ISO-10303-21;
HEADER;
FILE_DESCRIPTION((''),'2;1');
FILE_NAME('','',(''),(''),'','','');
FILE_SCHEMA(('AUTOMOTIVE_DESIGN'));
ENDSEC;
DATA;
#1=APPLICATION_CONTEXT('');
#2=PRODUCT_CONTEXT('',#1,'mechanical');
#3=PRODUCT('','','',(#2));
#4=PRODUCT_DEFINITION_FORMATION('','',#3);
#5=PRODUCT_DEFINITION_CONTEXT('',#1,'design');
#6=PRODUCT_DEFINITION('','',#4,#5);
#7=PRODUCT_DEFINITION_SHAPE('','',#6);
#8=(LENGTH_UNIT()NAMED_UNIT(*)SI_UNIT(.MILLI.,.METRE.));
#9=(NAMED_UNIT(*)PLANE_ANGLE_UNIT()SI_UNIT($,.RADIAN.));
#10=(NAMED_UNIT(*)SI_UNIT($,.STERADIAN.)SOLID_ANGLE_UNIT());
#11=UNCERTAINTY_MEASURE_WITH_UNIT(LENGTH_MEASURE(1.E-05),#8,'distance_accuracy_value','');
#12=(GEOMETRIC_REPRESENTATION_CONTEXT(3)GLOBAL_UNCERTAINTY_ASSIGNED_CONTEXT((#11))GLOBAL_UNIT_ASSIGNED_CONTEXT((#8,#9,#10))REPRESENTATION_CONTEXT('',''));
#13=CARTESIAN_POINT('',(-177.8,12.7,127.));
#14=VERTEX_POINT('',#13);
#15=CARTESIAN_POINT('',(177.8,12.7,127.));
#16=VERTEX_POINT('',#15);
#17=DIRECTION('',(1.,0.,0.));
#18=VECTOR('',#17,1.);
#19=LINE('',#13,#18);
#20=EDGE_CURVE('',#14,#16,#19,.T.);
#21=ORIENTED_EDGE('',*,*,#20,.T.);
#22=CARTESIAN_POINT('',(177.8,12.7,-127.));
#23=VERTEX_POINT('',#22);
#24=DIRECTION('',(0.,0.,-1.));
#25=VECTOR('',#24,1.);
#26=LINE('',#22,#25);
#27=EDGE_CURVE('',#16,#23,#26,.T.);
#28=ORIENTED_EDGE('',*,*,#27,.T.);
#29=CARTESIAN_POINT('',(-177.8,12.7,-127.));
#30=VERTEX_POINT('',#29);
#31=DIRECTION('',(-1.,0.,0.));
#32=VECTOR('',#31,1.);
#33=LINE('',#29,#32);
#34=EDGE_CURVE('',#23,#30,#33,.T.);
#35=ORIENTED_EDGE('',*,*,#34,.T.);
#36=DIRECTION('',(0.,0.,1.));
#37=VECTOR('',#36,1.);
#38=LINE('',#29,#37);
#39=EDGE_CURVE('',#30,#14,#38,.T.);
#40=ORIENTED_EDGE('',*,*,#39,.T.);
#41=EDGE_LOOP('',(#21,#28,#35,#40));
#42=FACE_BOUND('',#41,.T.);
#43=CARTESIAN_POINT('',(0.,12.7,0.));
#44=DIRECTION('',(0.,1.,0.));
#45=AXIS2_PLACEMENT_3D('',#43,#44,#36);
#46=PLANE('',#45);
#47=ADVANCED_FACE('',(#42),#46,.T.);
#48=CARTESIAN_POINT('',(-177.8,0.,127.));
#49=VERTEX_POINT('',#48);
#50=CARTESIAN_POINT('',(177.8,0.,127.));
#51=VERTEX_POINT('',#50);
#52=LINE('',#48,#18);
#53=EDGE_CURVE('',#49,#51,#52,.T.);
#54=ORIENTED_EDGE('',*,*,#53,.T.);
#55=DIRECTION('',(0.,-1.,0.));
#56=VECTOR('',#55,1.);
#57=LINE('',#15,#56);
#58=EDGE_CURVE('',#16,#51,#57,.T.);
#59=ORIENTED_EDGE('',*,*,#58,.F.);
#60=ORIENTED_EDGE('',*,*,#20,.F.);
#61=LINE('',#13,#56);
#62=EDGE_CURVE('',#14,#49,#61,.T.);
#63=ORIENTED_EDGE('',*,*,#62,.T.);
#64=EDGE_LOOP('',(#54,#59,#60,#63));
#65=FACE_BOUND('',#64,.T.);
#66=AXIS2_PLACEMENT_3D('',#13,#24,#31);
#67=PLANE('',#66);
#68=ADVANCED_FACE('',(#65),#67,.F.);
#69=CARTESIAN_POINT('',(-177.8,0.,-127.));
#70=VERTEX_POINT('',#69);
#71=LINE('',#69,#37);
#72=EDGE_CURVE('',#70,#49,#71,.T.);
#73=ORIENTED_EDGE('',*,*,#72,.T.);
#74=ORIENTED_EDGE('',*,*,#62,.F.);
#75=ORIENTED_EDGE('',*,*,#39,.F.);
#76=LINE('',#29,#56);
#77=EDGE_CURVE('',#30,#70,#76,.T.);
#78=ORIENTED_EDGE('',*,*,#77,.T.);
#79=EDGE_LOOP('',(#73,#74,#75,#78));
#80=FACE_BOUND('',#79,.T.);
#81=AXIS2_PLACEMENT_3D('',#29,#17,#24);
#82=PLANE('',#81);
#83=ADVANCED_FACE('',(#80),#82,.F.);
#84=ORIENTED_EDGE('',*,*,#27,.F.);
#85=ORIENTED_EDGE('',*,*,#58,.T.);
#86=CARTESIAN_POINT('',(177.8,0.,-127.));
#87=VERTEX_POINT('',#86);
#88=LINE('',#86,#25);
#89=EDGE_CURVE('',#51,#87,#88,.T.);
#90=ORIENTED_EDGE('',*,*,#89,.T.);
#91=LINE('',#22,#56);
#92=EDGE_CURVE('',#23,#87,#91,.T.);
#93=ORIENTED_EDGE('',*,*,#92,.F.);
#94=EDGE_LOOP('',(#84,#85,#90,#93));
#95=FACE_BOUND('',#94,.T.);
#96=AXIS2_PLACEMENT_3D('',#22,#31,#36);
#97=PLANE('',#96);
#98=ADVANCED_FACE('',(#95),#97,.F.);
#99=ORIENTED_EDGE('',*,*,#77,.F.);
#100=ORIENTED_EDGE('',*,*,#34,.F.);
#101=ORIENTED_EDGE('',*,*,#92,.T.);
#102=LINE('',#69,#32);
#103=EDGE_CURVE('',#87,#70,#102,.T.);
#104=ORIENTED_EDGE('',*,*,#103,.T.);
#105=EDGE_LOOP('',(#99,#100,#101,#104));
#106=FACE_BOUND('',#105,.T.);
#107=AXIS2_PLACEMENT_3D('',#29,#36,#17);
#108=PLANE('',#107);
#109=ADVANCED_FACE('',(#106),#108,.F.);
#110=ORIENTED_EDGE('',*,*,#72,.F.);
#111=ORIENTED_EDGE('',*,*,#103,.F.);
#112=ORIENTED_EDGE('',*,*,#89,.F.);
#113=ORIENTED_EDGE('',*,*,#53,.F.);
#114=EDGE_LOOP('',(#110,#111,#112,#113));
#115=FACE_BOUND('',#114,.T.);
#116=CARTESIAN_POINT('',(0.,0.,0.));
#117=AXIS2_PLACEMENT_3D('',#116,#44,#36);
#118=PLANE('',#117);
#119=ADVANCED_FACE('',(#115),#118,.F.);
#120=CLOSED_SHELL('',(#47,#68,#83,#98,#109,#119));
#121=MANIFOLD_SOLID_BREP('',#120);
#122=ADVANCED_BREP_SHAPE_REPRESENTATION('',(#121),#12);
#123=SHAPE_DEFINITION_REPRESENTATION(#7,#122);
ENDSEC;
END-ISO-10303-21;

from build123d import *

# Parameters (mm, degrees)
SKETCH1_W           = 355.6
SKETCH1_H           = 254
BOSS_EXTRUDE1_DEPTH = 12.7


with BuildPart() as part:
    # Sketch1 → Boss-Extrude1 (new body)
    with BuildSketch(Plane(origin=(0, 0, 0), x_dir=(1, 0, 0), z_dir=(0, 1, 0))):
        Rectangle(SKETCH1_W, SKETCH1_H)
    extrude(amount=BOSS_EXTRUDE1_DEPTH)


solid = part.part
